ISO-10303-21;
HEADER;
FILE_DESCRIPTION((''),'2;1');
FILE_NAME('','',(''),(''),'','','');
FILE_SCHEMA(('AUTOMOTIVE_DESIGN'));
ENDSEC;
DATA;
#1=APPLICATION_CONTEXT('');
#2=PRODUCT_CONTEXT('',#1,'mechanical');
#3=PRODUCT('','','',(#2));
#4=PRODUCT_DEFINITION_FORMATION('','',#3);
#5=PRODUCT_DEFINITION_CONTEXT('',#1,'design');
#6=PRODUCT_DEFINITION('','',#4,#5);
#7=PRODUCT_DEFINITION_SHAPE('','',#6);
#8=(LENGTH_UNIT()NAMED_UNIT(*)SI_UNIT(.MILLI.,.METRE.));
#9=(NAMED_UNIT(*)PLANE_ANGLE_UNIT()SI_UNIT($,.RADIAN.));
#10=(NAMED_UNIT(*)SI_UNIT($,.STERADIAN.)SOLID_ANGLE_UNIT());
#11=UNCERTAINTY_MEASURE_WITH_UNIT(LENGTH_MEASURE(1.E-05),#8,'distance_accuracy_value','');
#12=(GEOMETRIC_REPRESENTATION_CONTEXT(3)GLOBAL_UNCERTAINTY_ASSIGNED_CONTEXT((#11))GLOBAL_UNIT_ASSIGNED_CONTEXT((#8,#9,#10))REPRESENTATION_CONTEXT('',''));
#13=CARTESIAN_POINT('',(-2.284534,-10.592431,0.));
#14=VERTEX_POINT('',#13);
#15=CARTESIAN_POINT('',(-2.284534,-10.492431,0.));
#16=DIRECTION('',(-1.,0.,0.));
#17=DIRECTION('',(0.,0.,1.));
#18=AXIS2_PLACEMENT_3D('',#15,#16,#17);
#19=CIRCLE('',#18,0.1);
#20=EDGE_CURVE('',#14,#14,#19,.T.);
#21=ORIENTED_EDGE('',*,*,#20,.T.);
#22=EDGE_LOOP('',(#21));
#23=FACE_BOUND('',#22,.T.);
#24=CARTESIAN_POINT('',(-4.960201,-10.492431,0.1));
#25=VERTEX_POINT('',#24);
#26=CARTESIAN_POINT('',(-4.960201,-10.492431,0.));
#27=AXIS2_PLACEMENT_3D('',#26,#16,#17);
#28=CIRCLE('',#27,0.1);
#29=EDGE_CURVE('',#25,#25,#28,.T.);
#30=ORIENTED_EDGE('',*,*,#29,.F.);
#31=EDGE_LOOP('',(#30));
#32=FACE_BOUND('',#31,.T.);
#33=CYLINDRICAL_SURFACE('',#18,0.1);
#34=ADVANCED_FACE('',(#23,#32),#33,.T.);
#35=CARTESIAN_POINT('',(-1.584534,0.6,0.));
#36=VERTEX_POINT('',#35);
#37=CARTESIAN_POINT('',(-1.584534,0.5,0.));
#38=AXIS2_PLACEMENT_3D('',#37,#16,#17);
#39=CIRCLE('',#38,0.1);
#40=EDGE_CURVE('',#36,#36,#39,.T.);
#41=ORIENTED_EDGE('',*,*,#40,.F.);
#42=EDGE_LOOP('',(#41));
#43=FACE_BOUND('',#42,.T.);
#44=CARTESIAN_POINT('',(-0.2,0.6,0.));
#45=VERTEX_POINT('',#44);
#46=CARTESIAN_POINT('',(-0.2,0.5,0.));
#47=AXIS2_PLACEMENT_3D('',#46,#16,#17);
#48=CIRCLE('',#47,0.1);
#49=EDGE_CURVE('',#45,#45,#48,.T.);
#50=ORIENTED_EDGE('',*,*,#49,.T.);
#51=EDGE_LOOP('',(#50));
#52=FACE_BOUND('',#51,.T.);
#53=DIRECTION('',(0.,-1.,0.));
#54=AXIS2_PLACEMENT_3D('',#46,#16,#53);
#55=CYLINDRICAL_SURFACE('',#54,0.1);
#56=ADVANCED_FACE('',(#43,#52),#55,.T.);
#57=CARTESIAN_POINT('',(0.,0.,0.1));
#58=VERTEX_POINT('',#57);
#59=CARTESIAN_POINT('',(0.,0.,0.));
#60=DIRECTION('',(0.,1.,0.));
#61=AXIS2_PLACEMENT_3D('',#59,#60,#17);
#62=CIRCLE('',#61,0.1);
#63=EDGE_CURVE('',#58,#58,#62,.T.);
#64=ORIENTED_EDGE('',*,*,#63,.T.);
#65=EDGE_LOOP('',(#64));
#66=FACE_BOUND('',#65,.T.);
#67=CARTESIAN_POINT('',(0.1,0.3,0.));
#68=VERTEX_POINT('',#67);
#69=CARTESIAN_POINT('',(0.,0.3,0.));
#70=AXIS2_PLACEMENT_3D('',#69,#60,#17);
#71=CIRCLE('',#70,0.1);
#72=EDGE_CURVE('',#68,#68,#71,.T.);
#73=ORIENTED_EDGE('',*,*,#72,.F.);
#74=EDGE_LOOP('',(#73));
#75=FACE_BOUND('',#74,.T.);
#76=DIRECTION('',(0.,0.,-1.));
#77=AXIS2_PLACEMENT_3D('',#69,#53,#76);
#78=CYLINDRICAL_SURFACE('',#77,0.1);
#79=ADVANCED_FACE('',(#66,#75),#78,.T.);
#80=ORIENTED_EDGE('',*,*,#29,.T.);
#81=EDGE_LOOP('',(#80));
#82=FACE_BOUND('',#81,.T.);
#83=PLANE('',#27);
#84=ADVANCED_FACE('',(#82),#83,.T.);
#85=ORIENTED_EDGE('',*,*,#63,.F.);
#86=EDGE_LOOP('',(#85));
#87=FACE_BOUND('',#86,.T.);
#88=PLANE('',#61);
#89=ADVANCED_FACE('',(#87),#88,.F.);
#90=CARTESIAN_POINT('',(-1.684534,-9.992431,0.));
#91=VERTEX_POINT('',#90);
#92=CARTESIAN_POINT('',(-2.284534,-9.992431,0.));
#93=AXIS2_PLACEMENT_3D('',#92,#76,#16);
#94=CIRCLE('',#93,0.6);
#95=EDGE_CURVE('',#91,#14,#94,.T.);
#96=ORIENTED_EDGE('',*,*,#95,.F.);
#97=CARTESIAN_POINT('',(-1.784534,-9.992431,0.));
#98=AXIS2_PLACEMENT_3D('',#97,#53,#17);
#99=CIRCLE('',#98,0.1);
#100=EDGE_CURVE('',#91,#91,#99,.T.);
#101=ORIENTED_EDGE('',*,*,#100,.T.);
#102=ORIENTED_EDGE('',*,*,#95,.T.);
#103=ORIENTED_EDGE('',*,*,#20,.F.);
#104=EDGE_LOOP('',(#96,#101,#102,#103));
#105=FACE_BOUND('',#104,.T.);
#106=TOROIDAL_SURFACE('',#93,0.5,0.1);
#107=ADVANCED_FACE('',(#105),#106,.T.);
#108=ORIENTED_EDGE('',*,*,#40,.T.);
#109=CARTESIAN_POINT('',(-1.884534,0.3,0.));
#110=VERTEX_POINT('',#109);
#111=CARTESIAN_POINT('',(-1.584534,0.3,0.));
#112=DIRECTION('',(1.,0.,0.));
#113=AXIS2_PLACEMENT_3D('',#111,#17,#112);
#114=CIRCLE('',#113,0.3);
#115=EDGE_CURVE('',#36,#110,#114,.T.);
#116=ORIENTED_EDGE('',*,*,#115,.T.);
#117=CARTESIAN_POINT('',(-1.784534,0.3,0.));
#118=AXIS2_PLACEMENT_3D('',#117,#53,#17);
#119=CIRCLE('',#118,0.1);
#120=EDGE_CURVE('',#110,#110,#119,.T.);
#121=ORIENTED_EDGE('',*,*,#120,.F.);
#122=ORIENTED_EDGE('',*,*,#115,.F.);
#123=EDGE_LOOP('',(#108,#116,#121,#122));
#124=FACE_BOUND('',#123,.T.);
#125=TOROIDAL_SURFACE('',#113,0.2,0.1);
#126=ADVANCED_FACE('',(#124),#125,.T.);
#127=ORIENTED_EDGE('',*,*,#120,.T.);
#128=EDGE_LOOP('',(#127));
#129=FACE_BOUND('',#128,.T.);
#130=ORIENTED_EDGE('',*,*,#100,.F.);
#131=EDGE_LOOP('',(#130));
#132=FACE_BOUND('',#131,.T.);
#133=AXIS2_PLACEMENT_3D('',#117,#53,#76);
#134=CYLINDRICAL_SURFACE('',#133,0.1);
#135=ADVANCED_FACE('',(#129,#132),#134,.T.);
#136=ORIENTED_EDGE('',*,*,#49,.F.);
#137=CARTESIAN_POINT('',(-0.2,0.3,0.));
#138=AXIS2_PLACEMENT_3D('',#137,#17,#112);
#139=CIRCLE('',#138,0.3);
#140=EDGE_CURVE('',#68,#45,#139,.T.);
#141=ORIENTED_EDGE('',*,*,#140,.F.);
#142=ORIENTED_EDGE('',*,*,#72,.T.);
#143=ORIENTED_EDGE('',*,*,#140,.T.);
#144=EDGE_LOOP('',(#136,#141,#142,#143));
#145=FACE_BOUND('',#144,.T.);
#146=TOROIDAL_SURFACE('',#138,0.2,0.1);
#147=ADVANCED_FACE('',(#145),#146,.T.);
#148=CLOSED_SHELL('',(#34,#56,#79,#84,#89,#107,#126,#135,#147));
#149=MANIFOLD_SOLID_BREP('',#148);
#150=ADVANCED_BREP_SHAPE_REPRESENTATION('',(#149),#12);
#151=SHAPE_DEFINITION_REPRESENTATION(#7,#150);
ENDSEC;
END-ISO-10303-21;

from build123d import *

# Parameters (mm, degrees)
ESQUISSE2_R = 0.1


with BuildPart() as part:
    # Balayage1: sweep along a path in Esquisse1
    with BuildLine(Plane.XY) as balayage1_path:
        Line((0, 0), (0, 0.3))
        ThreePointArc((0, 0.3), (-0.058578644, 0.441421356), (-0.2, 0.5))
        Line((-0.2, 0.5), (-1.584533741, 0.5))
        ThreePointArc((-1.584533741, 0.5), (-1.725955098, 0.441421356), (-1.784533741, 0.3))
        Line((-1.784533741, 0.3), (-1.784533741, -9.992430607))
        ThreePointArc((-1.784533741, -9.992430607), (-1.930980351, -10.345983998), (-2.284533741, -10.492430607))
        Line((-2.284533741, -10.492430607), (-4.960200575, -10.492430607))
    # Esquisse2 → Balayage1 (sweep)
    with BuildSketch(Plane(origin=(0, 0, 0), x_dir=(1, 0, 0), z_dir=(0, 1, 0))):
        Circle(ESQUISSE2_R)
    sweep(path=balayage1_path.line)


solid = part.part
